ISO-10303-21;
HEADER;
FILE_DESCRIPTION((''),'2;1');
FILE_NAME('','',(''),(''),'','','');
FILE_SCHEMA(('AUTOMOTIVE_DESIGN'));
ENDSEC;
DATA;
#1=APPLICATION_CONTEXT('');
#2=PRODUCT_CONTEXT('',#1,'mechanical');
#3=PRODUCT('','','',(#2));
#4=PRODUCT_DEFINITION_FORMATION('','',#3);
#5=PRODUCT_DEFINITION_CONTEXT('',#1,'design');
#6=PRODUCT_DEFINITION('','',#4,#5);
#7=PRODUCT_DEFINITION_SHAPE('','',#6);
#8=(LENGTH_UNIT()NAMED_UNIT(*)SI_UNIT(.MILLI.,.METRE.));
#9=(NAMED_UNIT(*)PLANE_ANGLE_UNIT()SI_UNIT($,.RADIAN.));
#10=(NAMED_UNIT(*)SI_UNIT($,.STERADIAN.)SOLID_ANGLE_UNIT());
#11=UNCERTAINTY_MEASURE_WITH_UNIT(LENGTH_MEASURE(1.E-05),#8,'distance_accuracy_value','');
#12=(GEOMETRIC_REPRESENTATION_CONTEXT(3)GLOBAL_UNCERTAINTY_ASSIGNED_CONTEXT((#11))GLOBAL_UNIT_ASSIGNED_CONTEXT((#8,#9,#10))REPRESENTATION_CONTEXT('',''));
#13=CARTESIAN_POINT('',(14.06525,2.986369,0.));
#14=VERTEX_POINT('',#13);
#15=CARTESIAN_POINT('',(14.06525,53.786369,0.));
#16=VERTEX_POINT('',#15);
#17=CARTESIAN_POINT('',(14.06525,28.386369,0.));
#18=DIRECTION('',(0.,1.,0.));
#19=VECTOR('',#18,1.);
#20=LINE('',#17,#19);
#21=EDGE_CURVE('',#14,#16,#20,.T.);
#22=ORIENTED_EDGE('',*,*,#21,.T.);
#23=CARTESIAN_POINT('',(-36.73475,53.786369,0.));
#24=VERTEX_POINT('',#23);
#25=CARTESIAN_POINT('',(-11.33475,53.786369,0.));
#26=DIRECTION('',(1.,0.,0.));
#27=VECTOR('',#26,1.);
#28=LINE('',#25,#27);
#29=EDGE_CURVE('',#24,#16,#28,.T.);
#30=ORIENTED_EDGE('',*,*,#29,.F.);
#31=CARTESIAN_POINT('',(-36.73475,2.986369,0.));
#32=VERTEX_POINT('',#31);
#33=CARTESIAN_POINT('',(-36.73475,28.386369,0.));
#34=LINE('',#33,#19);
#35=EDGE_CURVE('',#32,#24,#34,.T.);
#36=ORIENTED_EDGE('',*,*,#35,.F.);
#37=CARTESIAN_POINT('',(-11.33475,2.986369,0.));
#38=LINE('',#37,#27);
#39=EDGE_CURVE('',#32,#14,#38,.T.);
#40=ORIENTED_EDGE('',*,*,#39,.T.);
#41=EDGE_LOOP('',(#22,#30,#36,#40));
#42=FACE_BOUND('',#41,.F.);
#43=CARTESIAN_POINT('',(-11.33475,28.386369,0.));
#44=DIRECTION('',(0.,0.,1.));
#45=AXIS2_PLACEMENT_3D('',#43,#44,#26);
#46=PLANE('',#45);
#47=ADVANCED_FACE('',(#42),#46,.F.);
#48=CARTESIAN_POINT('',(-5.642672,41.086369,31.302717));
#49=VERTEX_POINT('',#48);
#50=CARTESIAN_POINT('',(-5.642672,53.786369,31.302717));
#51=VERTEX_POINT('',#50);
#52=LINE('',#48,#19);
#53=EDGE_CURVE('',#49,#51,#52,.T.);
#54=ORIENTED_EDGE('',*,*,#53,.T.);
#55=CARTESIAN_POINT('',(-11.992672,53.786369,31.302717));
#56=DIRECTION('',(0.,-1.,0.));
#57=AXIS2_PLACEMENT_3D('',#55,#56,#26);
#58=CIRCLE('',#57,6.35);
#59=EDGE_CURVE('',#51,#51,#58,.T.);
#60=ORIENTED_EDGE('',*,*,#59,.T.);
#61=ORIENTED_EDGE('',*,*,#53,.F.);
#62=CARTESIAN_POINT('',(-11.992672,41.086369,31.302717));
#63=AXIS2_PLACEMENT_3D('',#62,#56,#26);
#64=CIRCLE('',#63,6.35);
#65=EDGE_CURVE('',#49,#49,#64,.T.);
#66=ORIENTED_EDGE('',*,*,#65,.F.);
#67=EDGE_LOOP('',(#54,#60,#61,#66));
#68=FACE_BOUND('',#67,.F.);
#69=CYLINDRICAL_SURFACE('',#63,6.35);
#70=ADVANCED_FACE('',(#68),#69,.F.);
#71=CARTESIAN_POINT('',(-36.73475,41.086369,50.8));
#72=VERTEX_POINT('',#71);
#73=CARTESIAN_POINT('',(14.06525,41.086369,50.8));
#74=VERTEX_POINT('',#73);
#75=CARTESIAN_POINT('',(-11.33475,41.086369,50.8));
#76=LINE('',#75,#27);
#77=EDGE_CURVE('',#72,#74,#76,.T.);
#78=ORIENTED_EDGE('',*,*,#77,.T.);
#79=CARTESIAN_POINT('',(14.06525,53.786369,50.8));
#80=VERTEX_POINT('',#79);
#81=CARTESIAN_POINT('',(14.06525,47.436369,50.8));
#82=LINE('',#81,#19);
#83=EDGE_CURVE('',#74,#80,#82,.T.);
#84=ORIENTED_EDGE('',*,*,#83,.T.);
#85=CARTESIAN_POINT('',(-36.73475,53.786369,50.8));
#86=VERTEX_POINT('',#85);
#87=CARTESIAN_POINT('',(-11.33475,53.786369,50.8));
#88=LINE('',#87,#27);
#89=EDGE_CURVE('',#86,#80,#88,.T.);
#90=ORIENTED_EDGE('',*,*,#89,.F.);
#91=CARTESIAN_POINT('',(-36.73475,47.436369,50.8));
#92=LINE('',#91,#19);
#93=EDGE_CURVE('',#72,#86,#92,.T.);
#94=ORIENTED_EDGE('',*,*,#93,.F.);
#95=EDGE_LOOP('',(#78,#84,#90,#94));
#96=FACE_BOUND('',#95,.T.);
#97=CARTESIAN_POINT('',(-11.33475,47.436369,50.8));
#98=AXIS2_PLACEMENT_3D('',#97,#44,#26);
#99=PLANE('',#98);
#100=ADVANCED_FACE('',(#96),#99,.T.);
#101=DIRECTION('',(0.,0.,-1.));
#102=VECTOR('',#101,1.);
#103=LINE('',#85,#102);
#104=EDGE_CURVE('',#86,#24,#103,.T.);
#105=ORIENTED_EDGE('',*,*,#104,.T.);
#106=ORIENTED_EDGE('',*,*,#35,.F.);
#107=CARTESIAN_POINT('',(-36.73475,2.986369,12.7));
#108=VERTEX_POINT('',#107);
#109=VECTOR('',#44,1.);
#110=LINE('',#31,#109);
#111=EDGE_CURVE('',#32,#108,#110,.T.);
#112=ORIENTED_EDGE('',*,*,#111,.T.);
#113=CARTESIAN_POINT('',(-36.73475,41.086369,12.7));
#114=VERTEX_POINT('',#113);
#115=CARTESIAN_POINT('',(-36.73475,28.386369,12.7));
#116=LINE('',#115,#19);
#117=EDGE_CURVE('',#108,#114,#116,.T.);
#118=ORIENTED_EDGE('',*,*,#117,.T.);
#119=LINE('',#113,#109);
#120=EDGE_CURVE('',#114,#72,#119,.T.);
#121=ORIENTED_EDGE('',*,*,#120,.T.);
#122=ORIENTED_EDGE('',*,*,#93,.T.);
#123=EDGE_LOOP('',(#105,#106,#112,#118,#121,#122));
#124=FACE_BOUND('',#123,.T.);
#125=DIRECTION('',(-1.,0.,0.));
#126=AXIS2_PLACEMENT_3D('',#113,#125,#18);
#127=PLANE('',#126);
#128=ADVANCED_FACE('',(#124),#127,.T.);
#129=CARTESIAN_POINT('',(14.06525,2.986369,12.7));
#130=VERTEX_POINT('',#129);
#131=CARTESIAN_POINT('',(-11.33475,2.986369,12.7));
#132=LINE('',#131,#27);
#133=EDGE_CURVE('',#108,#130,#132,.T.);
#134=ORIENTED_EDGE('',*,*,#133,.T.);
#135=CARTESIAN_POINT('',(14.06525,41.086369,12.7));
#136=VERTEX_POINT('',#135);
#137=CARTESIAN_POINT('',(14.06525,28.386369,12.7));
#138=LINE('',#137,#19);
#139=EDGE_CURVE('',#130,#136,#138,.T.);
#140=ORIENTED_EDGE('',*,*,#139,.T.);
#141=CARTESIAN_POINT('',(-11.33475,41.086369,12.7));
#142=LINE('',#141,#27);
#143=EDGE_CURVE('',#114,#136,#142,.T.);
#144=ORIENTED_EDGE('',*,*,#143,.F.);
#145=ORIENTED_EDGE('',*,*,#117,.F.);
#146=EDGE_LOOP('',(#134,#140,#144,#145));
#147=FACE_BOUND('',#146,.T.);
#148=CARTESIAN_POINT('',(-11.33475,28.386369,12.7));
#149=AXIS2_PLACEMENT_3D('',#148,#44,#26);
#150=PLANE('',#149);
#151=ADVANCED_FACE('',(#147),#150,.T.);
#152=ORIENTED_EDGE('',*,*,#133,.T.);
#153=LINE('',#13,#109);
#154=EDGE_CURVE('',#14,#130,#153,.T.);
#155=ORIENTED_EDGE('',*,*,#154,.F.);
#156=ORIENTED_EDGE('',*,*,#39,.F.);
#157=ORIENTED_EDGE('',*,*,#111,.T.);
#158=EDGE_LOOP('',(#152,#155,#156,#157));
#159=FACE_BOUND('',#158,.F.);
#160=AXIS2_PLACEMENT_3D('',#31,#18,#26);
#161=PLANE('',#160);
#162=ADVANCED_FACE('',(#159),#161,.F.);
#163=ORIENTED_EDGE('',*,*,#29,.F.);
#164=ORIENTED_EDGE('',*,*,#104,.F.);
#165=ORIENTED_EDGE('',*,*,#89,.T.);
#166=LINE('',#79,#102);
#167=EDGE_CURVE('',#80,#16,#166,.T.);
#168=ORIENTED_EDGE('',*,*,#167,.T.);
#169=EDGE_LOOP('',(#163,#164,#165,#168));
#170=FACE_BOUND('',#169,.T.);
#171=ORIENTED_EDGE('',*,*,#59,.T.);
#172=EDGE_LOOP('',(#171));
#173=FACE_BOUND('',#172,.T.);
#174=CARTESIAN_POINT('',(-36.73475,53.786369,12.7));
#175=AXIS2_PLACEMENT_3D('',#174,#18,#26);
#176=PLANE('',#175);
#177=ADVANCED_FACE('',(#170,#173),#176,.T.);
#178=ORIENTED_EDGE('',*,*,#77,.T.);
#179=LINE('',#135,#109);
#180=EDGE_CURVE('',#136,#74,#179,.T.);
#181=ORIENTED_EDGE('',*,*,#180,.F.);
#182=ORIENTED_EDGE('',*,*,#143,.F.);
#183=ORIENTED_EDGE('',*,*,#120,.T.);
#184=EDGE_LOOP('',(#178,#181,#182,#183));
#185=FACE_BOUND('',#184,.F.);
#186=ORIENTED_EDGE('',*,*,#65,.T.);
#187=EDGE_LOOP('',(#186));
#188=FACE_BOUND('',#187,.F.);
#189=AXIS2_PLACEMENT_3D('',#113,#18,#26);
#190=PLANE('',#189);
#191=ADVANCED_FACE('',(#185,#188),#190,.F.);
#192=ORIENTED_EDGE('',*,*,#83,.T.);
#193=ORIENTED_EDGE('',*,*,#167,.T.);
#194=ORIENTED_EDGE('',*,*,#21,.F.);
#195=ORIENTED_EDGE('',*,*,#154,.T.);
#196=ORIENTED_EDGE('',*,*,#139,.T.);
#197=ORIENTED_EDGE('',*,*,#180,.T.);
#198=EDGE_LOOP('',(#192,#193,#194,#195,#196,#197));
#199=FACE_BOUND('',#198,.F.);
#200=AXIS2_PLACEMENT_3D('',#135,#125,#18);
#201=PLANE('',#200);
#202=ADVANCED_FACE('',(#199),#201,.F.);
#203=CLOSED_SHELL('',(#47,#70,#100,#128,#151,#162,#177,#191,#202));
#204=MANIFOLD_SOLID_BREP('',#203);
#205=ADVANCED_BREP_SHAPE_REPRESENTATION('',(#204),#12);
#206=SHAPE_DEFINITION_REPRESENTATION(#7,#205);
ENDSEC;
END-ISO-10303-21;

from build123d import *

# Parameters (mm, degrees)
F0_W     = 50.8
F0_H     = 50.8
F1_DEPTH = 12.7
F2_W     = 50.8
F2_H     = 12.7
F3_DEPTH = 38.1
F4_R     = 6.35
F5_DEPTH = 25.4


with BuildPart() as f1:
    # F0 (on Top) → F1 (new body)
    with BuildSketch(Plane.XY):
        with Locations((-11.33475, 28.386369)):
            Rectangle(F0_W, F0_H)
    extrude(amount=F1_DEPTH)

    # F2 (on face) → F3 (join)
    with BuildSketch(Plane.XY.offset(12.7)):
        with Locations((-11.33475, 47.436369)):
            Rectangle(F2_W, F2_H)
    extrude(amount=F3_DEPTH)

    # F4 (on face) → F5 (cut)
    with BuildSketch(Plane.XZ.offset(-41.086369)):
        with Locations((-11.992672, 31.302717)):
            Circle(F4_R)
    extrude(amount=-F5_DEPTH, mode=Mode.SUBTRACT)


solid = f1.part
